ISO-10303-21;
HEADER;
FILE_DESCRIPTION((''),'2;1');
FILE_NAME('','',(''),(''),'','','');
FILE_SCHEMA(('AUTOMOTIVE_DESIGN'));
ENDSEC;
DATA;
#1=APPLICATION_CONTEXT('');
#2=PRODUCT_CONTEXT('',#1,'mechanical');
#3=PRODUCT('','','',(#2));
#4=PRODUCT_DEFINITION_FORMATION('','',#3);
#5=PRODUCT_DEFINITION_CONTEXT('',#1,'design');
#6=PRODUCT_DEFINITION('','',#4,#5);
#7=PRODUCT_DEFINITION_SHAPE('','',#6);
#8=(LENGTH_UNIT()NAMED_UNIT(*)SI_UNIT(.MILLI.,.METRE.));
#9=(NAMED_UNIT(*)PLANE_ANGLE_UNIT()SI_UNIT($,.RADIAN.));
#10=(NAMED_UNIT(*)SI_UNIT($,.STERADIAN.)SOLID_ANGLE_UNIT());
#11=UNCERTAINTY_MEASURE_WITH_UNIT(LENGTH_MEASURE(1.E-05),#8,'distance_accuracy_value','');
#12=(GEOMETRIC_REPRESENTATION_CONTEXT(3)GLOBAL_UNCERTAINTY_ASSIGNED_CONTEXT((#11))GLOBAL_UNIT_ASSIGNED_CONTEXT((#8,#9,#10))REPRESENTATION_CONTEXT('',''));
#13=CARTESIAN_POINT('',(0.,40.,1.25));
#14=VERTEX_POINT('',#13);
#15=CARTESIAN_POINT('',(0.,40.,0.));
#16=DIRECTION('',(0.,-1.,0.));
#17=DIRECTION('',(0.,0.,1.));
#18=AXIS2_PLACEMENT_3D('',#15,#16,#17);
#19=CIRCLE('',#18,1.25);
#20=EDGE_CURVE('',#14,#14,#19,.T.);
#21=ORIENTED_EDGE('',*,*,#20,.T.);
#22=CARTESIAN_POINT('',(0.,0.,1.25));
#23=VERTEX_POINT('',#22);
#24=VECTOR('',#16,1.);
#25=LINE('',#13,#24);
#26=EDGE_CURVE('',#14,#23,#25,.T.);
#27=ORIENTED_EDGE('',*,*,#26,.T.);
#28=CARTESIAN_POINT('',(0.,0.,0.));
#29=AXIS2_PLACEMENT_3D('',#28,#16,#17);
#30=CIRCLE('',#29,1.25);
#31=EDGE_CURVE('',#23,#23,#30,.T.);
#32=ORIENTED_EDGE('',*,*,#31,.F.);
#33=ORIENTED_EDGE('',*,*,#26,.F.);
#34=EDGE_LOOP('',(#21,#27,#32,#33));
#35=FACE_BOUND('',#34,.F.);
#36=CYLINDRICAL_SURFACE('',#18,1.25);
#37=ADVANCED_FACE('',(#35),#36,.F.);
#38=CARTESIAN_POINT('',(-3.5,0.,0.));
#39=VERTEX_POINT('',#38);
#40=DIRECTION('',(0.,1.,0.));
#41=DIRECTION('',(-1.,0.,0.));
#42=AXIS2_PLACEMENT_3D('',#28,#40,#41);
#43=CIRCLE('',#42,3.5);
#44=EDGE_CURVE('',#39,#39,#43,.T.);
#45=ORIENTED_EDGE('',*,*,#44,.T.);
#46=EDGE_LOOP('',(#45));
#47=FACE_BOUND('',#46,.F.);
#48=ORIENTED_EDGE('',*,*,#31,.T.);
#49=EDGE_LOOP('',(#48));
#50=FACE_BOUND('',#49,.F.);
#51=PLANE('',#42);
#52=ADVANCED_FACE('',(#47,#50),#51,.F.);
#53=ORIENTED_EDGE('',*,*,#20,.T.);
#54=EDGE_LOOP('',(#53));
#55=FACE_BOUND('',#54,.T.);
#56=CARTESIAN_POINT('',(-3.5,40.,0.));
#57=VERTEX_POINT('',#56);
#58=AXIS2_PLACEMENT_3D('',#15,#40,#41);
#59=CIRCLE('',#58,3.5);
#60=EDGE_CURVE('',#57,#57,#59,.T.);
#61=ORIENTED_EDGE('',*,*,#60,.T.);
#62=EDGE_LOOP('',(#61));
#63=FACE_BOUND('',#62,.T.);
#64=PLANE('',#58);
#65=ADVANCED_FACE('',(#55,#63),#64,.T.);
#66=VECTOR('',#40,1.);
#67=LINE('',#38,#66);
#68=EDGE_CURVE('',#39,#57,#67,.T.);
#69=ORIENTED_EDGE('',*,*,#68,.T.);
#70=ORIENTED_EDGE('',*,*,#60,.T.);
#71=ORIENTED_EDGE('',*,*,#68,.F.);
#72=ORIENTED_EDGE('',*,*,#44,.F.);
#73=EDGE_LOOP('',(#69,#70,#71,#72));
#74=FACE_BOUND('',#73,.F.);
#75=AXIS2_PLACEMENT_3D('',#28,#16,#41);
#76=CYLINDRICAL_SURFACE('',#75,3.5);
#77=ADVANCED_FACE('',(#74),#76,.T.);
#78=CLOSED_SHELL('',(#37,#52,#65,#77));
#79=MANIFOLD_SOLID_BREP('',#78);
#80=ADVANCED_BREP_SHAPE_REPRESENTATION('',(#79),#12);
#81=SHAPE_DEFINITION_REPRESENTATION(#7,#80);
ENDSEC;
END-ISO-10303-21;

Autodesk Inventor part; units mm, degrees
ref_plane "YZ Plane" through (0, 0, 0) normal (1, 0, 0) x (0, 1, 0)
ref_plane "XZ Plane" through (0, 0, 0) normal (0, 1, 0) x (-1, 0, 0)
ref_plane "XY Plane" through (0, 0, 0) normal (0, 0, 1) x (1, 0, 0)
sketch "Sketch1" plane through (0, 0, 0) normal (0, 1, 0) x (-1, 0, 0)
  circle A0 centre (0, 0) radius 3.5
  dimension "d0" = 7
extrude "Extrusion1" add sketch "Sketch1" along normal blind 40
sketch "Sketch2" plane through (0, 40, 0) normal (0, 1, 0) x (1, 0, 0)
  circle A0 centre (0, 0) radius 3.5 projected
hole "Hole1" at (0, 40, 0) direction (0, -1, 0) diameter 2.5 end through all
properties part number "CH_01_0041_40_mm_3d_printed_distance"
